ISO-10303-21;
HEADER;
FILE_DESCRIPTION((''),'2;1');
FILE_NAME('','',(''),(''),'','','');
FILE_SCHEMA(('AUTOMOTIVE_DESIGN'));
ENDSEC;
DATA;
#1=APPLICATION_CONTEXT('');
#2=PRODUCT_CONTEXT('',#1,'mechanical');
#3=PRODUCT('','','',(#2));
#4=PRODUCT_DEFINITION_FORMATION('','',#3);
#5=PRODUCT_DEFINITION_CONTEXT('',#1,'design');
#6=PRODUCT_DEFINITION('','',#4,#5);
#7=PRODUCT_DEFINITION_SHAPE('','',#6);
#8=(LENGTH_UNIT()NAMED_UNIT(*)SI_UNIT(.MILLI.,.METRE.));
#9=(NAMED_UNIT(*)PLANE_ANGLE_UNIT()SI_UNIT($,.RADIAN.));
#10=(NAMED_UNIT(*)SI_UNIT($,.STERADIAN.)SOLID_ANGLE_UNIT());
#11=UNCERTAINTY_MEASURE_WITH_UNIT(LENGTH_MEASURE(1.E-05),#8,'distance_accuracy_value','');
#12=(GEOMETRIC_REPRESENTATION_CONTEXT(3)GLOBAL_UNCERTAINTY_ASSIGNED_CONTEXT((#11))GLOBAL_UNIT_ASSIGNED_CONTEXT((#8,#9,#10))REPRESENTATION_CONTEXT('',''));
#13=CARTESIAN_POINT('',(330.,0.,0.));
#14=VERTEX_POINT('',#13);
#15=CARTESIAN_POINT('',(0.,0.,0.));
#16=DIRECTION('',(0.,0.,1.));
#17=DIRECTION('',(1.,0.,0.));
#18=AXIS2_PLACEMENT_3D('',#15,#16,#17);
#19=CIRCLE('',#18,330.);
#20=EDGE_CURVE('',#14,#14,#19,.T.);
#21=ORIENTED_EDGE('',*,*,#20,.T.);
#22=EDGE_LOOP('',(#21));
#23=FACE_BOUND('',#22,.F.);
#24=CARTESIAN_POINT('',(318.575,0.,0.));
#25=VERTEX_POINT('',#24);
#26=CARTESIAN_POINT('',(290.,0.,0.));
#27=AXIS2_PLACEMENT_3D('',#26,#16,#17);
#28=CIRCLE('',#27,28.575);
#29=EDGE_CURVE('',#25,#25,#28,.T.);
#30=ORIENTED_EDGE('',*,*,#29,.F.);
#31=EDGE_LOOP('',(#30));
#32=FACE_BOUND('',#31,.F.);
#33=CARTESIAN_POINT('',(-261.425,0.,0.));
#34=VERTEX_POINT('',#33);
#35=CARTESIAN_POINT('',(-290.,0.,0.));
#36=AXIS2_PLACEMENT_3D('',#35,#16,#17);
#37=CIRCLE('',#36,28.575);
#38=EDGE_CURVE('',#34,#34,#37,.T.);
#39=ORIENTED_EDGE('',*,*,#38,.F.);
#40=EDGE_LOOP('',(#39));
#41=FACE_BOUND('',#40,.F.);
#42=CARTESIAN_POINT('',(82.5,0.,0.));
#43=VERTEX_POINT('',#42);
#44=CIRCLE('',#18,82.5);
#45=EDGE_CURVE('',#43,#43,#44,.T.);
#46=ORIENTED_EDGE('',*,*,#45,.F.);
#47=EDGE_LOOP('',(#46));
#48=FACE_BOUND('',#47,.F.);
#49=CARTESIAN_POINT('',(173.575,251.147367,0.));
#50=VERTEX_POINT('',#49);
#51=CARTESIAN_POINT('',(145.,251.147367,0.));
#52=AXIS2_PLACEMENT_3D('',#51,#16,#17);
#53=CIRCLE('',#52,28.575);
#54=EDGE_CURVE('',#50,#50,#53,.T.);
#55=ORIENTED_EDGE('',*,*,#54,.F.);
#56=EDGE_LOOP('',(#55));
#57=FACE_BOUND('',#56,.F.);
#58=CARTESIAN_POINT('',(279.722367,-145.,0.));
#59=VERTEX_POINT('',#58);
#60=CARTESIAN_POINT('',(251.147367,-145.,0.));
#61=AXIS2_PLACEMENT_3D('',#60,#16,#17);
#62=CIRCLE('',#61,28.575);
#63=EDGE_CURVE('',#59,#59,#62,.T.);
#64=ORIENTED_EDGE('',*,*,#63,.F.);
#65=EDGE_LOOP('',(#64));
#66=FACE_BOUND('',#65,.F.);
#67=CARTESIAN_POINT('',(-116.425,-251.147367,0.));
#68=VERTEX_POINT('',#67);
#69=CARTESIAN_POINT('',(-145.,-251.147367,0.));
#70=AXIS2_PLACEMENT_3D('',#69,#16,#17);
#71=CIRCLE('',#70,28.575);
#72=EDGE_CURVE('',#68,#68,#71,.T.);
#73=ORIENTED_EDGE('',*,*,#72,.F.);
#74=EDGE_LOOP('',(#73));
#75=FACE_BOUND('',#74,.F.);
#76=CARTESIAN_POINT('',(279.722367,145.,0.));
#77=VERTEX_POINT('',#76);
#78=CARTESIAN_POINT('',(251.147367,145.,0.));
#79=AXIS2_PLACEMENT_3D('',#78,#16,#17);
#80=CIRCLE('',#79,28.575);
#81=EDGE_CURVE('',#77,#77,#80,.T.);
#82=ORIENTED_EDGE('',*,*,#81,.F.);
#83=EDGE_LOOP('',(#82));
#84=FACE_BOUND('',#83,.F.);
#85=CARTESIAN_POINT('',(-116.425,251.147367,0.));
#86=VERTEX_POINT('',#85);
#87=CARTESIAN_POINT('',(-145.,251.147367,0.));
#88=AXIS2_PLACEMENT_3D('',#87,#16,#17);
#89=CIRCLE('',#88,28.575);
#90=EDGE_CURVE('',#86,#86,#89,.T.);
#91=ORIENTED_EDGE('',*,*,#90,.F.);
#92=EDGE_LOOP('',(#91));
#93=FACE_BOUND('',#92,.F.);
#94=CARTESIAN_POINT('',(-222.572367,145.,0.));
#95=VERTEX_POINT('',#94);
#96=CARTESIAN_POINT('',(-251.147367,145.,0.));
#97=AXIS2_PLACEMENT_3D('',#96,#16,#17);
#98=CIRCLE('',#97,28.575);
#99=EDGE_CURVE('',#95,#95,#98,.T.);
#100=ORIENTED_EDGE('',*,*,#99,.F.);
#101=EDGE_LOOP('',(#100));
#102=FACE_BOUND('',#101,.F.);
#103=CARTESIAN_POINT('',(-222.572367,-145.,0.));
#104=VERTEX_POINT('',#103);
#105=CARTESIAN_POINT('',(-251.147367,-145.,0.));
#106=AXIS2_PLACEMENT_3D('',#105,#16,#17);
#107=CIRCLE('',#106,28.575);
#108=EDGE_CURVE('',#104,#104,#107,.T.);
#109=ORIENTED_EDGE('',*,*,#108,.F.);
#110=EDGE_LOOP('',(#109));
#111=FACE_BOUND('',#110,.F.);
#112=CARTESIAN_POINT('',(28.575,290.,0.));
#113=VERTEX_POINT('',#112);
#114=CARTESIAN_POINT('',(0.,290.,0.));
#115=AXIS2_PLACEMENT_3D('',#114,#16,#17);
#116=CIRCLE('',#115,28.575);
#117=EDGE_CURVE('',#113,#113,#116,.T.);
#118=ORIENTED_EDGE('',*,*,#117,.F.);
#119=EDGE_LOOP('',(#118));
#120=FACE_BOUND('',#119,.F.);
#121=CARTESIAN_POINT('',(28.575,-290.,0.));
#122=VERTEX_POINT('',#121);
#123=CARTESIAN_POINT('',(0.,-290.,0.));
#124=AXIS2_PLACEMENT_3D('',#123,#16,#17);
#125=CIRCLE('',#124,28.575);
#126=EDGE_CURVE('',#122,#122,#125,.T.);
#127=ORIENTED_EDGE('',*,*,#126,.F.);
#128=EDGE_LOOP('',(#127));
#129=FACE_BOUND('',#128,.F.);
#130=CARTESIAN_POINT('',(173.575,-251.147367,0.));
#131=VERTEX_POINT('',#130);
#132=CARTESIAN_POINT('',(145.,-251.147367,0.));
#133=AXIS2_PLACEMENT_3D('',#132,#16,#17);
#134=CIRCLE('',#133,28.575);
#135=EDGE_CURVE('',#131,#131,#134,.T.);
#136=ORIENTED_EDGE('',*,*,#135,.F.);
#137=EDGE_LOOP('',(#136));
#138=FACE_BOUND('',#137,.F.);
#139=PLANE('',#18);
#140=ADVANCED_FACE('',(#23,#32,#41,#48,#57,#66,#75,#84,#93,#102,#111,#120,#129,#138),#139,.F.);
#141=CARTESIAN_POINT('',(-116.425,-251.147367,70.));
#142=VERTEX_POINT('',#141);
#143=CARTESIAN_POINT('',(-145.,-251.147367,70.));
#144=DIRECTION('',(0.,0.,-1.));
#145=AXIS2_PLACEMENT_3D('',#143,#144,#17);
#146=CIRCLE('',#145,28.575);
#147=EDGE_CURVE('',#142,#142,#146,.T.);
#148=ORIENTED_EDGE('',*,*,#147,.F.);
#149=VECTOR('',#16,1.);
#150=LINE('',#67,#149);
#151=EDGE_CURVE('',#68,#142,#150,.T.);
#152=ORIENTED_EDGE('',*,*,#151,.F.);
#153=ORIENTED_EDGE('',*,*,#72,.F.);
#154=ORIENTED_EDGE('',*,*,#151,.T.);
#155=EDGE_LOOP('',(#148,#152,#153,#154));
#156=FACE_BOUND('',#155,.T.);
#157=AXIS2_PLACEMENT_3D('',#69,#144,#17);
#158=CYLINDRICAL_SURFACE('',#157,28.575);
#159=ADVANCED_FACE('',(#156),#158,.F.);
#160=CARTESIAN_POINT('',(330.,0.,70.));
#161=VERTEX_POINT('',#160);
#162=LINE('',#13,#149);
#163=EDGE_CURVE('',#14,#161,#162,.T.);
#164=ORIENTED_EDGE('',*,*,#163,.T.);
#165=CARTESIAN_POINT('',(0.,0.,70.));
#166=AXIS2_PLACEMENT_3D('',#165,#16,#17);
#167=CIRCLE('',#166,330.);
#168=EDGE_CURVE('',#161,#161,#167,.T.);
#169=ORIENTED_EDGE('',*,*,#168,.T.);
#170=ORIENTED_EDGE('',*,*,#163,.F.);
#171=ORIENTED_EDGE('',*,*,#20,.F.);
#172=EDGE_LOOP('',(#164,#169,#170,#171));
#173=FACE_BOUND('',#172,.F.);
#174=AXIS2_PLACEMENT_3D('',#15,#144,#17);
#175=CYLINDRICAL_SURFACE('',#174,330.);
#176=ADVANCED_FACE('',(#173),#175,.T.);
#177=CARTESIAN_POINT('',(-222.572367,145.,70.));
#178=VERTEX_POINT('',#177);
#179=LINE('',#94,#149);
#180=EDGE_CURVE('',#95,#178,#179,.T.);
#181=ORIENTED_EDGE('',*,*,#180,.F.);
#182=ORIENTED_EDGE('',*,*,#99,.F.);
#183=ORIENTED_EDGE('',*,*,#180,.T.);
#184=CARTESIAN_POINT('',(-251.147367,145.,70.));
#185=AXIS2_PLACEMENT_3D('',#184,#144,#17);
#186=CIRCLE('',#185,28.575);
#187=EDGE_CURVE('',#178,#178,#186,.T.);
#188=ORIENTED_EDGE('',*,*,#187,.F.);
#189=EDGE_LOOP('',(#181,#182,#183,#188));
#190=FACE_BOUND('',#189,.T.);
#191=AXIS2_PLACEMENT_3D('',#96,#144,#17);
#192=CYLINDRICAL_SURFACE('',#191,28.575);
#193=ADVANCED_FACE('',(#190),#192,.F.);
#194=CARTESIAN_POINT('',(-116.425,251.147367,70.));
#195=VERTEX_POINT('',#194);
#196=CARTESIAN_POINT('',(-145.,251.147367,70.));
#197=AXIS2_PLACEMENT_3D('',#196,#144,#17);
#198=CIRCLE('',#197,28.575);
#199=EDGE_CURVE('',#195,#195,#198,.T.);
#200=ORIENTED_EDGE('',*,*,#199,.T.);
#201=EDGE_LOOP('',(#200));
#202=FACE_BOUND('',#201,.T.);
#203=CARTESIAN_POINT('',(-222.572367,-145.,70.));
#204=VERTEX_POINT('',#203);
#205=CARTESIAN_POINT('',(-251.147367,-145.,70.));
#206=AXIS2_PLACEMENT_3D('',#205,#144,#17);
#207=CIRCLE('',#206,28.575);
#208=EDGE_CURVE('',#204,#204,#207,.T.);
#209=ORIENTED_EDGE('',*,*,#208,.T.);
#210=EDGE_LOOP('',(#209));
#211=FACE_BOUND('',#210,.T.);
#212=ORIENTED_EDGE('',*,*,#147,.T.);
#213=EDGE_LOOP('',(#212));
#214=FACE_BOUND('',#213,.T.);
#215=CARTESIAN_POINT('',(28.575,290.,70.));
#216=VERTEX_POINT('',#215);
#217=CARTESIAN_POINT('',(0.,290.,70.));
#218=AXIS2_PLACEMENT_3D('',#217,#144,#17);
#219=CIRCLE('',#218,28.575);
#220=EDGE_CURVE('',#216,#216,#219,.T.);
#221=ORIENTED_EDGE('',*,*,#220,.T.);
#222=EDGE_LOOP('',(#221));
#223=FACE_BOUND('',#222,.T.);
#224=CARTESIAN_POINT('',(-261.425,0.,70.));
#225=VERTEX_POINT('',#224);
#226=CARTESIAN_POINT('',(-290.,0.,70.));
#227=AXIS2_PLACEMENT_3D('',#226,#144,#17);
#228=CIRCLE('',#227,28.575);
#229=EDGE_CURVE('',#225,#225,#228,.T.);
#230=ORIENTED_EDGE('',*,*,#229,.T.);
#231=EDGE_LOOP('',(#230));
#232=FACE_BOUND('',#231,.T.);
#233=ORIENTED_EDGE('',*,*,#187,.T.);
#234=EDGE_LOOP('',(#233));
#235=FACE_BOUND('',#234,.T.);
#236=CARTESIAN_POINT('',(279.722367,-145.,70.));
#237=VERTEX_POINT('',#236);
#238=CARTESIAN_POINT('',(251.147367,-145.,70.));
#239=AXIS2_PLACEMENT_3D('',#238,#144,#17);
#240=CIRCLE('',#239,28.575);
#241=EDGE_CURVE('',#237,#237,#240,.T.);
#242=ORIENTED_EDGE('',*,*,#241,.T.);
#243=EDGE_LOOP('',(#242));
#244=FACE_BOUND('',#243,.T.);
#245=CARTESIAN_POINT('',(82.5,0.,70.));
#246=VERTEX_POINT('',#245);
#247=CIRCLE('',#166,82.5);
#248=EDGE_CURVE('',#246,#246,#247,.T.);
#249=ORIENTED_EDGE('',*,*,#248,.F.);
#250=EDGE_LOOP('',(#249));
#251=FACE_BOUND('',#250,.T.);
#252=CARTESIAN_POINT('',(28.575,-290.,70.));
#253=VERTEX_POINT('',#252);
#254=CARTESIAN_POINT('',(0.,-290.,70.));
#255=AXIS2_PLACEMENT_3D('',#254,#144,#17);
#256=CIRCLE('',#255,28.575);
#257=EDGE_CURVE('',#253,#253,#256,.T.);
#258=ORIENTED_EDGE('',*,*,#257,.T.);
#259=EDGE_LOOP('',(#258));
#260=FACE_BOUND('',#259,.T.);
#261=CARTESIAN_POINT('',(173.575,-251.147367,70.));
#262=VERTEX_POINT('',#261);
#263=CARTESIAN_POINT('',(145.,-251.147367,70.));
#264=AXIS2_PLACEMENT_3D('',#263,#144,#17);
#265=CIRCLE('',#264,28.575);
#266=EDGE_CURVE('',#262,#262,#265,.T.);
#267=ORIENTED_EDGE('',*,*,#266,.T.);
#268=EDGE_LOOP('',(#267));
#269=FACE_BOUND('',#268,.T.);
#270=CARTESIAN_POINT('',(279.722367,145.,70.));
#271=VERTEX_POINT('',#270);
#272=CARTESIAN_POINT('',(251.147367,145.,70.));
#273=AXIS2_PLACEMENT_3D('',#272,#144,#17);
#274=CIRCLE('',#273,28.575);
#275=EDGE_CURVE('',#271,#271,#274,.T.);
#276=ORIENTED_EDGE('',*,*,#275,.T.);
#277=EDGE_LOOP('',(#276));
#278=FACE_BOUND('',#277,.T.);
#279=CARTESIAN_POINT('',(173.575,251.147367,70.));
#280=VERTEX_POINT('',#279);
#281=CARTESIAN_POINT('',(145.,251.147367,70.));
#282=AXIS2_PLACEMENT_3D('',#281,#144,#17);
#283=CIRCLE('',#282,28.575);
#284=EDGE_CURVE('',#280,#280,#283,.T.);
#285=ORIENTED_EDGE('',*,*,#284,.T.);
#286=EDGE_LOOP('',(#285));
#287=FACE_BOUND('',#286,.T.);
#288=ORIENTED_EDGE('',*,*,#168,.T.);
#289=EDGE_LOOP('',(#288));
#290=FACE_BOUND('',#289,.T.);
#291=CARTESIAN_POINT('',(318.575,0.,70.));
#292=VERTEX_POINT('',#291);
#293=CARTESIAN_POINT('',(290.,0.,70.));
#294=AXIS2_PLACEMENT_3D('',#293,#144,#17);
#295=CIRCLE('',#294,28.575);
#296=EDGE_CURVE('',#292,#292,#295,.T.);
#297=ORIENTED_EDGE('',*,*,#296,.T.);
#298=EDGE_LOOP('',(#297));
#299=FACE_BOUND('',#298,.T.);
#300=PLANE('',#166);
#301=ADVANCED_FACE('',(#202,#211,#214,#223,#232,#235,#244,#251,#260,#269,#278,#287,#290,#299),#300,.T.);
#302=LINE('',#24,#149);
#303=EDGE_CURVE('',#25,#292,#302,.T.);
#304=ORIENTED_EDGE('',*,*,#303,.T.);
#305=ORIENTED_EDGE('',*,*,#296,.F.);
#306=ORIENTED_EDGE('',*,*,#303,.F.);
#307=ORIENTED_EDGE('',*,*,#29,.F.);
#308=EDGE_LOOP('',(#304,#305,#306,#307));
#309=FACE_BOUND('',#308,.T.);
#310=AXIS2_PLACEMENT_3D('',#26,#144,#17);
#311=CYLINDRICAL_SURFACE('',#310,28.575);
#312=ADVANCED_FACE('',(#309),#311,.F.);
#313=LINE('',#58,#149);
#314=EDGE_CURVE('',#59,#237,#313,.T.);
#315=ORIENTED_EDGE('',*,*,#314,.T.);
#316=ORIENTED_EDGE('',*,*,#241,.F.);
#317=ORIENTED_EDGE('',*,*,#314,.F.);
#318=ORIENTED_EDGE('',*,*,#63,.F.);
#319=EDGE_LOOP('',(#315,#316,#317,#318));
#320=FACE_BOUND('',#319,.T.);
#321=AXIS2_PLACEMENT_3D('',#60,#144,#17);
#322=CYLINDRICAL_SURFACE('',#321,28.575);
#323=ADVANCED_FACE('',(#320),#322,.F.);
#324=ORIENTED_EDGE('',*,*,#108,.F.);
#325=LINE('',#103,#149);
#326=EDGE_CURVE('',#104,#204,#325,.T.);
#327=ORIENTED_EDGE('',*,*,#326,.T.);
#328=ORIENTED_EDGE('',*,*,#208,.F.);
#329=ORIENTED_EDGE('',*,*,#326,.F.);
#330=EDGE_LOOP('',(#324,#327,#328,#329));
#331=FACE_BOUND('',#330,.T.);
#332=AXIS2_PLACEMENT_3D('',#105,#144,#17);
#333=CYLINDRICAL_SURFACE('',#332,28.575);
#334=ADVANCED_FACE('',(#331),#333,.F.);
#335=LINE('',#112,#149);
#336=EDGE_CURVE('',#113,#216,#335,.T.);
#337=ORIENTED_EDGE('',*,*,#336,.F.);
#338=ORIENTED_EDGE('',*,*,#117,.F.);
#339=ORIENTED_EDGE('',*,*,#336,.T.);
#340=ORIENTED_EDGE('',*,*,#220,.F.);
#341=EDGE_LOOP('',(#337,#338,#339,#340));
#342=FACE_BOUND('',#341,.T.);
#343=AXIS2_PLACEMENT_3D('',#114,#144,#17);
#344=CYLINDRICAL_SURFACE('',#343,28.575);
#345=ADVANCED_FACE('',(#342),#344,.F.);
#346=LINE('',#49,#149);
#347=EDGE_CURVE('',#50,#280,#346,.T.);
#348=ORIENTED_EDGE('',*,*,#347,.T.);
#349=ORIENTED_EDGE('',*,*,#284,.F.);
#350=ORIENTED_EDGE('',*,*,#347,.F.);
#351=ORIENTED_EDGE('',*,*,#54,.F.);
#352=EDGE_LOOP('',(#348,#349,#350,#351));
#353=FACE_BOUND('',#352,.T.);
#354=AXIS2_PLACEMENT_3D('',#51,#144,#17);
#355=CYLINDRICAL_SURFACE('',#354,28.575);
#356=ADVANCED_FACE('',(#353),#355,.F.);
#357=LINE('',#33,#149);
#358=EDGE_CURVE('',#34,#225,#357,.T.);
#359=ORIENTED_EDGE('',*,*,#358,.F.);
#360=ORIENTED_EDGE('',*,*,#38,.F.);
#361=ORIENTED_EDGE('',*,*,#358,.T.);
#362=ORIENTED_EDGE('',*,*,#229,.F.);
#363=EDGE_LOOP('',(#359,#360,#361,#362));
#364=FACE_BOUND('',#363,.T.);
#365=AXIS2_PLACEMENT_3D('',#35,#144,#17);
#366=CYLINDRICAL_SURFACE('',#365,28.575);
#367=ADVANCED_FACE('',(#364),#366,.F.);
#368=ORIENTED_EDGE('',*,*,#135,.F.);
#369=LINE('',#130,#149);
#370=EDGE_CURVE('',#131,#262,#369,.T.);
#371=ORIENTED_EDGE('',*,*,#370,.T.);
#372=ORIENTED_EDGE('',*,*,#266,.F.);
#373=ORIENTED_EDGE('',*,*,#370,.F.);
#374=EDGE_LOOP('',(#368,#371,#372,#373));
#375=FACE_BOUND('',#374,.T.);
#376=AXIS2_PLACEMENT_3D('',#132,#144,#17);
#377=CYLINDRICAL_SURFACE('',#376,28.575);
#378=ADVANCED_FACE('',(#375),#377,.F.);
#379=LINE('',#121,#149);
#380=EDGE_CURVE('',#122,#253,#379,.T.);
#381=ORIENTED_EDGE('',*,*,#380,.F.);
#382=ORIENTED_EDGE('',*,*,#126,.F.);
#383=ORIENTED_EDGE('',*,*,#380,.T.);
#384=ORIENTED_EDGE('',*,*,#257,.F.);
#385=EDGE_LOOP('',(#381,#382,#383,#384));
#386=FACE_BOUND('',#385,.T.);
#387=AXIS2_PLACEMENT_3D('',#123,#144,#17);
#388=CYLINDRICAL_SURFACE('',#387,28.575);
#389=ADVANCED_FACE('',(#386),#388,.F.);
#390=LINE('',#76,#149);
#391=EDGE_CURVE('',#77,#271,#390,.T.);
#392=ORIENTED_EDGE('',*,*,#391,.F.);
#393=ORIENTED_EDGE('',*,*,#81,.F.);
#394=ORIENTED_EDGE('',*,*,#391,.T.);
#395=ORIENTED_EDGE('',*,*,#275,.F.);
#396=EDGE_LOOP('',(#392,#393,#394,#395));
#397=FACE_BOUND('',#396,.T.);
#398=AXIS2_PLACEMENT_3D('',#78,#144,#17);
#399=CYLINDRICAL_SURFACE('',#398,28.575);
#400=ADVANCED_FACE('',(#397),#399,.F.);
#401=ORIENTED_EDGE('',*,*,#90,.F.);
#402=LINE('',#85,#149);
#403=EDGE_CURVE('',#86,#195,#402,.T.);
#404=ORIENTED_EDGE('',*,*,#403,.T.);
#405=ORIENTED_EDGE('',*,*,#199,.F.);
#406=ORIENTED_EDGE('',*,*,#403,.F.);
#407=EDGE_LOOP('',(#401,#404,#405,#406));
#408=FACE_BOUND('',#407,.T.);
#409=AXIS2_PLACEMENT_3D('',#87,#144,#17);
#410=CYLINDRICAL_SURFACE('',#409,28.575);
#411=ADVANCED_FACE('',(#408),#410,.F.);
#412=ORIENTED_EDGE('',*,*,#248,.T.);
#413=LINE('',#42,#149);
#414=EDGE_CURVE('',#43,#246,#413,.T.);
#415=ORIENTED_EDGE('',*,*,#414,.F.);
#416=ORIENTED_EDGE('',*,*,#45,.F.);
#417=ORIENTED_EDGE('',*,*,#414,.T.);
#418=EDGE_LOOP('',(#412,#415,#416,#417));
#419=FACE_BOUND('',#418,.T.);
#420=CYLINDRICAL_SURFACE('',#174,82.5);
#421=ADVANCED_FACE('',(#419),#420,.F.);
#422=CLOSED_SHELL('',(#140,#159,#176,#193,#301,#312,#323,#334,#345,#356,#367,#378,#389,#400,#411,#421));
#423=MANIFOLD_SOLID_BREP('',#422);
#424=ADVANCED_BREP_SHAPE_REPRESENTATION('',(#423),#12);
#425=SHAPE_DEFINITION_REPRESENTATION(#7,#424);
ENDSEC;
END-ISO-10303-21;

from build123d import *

# Parameters (mm, degrees)
SKETCH1_R           = 330
SKETCH1_R_2         = 82.5
BOSS_EXTRUDE1_DEPTH = 70
SKETCH2_R           = 28.575
CUT_EXTRUDE1_DEPTH  = 131


with BuildPart() as part:
    # Sketch1 → Boss-Extrude1 (new body)
    with BuildSketch(Plane.XY):
        Circle(SKETCH1_R)
        Circle(SKETCH1_R_2, mode=Mode.SUBTRACT)
    extrude(amount=BOSS_EXTRUDE1_DEPTH)

    # Sketch2 → Cut-Extrude1 (cut)
    with BuildSketch(Plane.XY):
        with Locations((0, 290)):
            Circle(SKETCH2_R)
        with Locations((145, 251.147367097)):
            Circle(SKETCH2_R)
        with Locations((251.147367097, 145)):
            Circle(SKETCH2_R)
        with Locations((290, 0)):
            Circle(SKETCH2_R)
        with Locations((251.147367098, -145)):
            Circle(SKETCH2_R)
        with Locations((145, -251.147367097)):
            Circle(SKETCH2_R)
        with Locations((0, -290)):
            Circle(SKETCH2_R)
        with Locations((-145, -251.147367097)):
            Circle(SKETCH2_R)
        with Locations((-251.147367097, -145)):
            Circle(SKETCH2_R)
        with Locations((-290, 0)):
            Circle(SKETCH2_R)
        with Locations((-251.147367097, 145)):
            Circle(SKETCH2_R)
        with Locations((-145, 251.147367097)):
            Circle(SKETCH2_R)
    extrude(amount=CUT_EXTRUDE1_DEPTH, mode=Mode.SUBTRACT)


solid = part.part
